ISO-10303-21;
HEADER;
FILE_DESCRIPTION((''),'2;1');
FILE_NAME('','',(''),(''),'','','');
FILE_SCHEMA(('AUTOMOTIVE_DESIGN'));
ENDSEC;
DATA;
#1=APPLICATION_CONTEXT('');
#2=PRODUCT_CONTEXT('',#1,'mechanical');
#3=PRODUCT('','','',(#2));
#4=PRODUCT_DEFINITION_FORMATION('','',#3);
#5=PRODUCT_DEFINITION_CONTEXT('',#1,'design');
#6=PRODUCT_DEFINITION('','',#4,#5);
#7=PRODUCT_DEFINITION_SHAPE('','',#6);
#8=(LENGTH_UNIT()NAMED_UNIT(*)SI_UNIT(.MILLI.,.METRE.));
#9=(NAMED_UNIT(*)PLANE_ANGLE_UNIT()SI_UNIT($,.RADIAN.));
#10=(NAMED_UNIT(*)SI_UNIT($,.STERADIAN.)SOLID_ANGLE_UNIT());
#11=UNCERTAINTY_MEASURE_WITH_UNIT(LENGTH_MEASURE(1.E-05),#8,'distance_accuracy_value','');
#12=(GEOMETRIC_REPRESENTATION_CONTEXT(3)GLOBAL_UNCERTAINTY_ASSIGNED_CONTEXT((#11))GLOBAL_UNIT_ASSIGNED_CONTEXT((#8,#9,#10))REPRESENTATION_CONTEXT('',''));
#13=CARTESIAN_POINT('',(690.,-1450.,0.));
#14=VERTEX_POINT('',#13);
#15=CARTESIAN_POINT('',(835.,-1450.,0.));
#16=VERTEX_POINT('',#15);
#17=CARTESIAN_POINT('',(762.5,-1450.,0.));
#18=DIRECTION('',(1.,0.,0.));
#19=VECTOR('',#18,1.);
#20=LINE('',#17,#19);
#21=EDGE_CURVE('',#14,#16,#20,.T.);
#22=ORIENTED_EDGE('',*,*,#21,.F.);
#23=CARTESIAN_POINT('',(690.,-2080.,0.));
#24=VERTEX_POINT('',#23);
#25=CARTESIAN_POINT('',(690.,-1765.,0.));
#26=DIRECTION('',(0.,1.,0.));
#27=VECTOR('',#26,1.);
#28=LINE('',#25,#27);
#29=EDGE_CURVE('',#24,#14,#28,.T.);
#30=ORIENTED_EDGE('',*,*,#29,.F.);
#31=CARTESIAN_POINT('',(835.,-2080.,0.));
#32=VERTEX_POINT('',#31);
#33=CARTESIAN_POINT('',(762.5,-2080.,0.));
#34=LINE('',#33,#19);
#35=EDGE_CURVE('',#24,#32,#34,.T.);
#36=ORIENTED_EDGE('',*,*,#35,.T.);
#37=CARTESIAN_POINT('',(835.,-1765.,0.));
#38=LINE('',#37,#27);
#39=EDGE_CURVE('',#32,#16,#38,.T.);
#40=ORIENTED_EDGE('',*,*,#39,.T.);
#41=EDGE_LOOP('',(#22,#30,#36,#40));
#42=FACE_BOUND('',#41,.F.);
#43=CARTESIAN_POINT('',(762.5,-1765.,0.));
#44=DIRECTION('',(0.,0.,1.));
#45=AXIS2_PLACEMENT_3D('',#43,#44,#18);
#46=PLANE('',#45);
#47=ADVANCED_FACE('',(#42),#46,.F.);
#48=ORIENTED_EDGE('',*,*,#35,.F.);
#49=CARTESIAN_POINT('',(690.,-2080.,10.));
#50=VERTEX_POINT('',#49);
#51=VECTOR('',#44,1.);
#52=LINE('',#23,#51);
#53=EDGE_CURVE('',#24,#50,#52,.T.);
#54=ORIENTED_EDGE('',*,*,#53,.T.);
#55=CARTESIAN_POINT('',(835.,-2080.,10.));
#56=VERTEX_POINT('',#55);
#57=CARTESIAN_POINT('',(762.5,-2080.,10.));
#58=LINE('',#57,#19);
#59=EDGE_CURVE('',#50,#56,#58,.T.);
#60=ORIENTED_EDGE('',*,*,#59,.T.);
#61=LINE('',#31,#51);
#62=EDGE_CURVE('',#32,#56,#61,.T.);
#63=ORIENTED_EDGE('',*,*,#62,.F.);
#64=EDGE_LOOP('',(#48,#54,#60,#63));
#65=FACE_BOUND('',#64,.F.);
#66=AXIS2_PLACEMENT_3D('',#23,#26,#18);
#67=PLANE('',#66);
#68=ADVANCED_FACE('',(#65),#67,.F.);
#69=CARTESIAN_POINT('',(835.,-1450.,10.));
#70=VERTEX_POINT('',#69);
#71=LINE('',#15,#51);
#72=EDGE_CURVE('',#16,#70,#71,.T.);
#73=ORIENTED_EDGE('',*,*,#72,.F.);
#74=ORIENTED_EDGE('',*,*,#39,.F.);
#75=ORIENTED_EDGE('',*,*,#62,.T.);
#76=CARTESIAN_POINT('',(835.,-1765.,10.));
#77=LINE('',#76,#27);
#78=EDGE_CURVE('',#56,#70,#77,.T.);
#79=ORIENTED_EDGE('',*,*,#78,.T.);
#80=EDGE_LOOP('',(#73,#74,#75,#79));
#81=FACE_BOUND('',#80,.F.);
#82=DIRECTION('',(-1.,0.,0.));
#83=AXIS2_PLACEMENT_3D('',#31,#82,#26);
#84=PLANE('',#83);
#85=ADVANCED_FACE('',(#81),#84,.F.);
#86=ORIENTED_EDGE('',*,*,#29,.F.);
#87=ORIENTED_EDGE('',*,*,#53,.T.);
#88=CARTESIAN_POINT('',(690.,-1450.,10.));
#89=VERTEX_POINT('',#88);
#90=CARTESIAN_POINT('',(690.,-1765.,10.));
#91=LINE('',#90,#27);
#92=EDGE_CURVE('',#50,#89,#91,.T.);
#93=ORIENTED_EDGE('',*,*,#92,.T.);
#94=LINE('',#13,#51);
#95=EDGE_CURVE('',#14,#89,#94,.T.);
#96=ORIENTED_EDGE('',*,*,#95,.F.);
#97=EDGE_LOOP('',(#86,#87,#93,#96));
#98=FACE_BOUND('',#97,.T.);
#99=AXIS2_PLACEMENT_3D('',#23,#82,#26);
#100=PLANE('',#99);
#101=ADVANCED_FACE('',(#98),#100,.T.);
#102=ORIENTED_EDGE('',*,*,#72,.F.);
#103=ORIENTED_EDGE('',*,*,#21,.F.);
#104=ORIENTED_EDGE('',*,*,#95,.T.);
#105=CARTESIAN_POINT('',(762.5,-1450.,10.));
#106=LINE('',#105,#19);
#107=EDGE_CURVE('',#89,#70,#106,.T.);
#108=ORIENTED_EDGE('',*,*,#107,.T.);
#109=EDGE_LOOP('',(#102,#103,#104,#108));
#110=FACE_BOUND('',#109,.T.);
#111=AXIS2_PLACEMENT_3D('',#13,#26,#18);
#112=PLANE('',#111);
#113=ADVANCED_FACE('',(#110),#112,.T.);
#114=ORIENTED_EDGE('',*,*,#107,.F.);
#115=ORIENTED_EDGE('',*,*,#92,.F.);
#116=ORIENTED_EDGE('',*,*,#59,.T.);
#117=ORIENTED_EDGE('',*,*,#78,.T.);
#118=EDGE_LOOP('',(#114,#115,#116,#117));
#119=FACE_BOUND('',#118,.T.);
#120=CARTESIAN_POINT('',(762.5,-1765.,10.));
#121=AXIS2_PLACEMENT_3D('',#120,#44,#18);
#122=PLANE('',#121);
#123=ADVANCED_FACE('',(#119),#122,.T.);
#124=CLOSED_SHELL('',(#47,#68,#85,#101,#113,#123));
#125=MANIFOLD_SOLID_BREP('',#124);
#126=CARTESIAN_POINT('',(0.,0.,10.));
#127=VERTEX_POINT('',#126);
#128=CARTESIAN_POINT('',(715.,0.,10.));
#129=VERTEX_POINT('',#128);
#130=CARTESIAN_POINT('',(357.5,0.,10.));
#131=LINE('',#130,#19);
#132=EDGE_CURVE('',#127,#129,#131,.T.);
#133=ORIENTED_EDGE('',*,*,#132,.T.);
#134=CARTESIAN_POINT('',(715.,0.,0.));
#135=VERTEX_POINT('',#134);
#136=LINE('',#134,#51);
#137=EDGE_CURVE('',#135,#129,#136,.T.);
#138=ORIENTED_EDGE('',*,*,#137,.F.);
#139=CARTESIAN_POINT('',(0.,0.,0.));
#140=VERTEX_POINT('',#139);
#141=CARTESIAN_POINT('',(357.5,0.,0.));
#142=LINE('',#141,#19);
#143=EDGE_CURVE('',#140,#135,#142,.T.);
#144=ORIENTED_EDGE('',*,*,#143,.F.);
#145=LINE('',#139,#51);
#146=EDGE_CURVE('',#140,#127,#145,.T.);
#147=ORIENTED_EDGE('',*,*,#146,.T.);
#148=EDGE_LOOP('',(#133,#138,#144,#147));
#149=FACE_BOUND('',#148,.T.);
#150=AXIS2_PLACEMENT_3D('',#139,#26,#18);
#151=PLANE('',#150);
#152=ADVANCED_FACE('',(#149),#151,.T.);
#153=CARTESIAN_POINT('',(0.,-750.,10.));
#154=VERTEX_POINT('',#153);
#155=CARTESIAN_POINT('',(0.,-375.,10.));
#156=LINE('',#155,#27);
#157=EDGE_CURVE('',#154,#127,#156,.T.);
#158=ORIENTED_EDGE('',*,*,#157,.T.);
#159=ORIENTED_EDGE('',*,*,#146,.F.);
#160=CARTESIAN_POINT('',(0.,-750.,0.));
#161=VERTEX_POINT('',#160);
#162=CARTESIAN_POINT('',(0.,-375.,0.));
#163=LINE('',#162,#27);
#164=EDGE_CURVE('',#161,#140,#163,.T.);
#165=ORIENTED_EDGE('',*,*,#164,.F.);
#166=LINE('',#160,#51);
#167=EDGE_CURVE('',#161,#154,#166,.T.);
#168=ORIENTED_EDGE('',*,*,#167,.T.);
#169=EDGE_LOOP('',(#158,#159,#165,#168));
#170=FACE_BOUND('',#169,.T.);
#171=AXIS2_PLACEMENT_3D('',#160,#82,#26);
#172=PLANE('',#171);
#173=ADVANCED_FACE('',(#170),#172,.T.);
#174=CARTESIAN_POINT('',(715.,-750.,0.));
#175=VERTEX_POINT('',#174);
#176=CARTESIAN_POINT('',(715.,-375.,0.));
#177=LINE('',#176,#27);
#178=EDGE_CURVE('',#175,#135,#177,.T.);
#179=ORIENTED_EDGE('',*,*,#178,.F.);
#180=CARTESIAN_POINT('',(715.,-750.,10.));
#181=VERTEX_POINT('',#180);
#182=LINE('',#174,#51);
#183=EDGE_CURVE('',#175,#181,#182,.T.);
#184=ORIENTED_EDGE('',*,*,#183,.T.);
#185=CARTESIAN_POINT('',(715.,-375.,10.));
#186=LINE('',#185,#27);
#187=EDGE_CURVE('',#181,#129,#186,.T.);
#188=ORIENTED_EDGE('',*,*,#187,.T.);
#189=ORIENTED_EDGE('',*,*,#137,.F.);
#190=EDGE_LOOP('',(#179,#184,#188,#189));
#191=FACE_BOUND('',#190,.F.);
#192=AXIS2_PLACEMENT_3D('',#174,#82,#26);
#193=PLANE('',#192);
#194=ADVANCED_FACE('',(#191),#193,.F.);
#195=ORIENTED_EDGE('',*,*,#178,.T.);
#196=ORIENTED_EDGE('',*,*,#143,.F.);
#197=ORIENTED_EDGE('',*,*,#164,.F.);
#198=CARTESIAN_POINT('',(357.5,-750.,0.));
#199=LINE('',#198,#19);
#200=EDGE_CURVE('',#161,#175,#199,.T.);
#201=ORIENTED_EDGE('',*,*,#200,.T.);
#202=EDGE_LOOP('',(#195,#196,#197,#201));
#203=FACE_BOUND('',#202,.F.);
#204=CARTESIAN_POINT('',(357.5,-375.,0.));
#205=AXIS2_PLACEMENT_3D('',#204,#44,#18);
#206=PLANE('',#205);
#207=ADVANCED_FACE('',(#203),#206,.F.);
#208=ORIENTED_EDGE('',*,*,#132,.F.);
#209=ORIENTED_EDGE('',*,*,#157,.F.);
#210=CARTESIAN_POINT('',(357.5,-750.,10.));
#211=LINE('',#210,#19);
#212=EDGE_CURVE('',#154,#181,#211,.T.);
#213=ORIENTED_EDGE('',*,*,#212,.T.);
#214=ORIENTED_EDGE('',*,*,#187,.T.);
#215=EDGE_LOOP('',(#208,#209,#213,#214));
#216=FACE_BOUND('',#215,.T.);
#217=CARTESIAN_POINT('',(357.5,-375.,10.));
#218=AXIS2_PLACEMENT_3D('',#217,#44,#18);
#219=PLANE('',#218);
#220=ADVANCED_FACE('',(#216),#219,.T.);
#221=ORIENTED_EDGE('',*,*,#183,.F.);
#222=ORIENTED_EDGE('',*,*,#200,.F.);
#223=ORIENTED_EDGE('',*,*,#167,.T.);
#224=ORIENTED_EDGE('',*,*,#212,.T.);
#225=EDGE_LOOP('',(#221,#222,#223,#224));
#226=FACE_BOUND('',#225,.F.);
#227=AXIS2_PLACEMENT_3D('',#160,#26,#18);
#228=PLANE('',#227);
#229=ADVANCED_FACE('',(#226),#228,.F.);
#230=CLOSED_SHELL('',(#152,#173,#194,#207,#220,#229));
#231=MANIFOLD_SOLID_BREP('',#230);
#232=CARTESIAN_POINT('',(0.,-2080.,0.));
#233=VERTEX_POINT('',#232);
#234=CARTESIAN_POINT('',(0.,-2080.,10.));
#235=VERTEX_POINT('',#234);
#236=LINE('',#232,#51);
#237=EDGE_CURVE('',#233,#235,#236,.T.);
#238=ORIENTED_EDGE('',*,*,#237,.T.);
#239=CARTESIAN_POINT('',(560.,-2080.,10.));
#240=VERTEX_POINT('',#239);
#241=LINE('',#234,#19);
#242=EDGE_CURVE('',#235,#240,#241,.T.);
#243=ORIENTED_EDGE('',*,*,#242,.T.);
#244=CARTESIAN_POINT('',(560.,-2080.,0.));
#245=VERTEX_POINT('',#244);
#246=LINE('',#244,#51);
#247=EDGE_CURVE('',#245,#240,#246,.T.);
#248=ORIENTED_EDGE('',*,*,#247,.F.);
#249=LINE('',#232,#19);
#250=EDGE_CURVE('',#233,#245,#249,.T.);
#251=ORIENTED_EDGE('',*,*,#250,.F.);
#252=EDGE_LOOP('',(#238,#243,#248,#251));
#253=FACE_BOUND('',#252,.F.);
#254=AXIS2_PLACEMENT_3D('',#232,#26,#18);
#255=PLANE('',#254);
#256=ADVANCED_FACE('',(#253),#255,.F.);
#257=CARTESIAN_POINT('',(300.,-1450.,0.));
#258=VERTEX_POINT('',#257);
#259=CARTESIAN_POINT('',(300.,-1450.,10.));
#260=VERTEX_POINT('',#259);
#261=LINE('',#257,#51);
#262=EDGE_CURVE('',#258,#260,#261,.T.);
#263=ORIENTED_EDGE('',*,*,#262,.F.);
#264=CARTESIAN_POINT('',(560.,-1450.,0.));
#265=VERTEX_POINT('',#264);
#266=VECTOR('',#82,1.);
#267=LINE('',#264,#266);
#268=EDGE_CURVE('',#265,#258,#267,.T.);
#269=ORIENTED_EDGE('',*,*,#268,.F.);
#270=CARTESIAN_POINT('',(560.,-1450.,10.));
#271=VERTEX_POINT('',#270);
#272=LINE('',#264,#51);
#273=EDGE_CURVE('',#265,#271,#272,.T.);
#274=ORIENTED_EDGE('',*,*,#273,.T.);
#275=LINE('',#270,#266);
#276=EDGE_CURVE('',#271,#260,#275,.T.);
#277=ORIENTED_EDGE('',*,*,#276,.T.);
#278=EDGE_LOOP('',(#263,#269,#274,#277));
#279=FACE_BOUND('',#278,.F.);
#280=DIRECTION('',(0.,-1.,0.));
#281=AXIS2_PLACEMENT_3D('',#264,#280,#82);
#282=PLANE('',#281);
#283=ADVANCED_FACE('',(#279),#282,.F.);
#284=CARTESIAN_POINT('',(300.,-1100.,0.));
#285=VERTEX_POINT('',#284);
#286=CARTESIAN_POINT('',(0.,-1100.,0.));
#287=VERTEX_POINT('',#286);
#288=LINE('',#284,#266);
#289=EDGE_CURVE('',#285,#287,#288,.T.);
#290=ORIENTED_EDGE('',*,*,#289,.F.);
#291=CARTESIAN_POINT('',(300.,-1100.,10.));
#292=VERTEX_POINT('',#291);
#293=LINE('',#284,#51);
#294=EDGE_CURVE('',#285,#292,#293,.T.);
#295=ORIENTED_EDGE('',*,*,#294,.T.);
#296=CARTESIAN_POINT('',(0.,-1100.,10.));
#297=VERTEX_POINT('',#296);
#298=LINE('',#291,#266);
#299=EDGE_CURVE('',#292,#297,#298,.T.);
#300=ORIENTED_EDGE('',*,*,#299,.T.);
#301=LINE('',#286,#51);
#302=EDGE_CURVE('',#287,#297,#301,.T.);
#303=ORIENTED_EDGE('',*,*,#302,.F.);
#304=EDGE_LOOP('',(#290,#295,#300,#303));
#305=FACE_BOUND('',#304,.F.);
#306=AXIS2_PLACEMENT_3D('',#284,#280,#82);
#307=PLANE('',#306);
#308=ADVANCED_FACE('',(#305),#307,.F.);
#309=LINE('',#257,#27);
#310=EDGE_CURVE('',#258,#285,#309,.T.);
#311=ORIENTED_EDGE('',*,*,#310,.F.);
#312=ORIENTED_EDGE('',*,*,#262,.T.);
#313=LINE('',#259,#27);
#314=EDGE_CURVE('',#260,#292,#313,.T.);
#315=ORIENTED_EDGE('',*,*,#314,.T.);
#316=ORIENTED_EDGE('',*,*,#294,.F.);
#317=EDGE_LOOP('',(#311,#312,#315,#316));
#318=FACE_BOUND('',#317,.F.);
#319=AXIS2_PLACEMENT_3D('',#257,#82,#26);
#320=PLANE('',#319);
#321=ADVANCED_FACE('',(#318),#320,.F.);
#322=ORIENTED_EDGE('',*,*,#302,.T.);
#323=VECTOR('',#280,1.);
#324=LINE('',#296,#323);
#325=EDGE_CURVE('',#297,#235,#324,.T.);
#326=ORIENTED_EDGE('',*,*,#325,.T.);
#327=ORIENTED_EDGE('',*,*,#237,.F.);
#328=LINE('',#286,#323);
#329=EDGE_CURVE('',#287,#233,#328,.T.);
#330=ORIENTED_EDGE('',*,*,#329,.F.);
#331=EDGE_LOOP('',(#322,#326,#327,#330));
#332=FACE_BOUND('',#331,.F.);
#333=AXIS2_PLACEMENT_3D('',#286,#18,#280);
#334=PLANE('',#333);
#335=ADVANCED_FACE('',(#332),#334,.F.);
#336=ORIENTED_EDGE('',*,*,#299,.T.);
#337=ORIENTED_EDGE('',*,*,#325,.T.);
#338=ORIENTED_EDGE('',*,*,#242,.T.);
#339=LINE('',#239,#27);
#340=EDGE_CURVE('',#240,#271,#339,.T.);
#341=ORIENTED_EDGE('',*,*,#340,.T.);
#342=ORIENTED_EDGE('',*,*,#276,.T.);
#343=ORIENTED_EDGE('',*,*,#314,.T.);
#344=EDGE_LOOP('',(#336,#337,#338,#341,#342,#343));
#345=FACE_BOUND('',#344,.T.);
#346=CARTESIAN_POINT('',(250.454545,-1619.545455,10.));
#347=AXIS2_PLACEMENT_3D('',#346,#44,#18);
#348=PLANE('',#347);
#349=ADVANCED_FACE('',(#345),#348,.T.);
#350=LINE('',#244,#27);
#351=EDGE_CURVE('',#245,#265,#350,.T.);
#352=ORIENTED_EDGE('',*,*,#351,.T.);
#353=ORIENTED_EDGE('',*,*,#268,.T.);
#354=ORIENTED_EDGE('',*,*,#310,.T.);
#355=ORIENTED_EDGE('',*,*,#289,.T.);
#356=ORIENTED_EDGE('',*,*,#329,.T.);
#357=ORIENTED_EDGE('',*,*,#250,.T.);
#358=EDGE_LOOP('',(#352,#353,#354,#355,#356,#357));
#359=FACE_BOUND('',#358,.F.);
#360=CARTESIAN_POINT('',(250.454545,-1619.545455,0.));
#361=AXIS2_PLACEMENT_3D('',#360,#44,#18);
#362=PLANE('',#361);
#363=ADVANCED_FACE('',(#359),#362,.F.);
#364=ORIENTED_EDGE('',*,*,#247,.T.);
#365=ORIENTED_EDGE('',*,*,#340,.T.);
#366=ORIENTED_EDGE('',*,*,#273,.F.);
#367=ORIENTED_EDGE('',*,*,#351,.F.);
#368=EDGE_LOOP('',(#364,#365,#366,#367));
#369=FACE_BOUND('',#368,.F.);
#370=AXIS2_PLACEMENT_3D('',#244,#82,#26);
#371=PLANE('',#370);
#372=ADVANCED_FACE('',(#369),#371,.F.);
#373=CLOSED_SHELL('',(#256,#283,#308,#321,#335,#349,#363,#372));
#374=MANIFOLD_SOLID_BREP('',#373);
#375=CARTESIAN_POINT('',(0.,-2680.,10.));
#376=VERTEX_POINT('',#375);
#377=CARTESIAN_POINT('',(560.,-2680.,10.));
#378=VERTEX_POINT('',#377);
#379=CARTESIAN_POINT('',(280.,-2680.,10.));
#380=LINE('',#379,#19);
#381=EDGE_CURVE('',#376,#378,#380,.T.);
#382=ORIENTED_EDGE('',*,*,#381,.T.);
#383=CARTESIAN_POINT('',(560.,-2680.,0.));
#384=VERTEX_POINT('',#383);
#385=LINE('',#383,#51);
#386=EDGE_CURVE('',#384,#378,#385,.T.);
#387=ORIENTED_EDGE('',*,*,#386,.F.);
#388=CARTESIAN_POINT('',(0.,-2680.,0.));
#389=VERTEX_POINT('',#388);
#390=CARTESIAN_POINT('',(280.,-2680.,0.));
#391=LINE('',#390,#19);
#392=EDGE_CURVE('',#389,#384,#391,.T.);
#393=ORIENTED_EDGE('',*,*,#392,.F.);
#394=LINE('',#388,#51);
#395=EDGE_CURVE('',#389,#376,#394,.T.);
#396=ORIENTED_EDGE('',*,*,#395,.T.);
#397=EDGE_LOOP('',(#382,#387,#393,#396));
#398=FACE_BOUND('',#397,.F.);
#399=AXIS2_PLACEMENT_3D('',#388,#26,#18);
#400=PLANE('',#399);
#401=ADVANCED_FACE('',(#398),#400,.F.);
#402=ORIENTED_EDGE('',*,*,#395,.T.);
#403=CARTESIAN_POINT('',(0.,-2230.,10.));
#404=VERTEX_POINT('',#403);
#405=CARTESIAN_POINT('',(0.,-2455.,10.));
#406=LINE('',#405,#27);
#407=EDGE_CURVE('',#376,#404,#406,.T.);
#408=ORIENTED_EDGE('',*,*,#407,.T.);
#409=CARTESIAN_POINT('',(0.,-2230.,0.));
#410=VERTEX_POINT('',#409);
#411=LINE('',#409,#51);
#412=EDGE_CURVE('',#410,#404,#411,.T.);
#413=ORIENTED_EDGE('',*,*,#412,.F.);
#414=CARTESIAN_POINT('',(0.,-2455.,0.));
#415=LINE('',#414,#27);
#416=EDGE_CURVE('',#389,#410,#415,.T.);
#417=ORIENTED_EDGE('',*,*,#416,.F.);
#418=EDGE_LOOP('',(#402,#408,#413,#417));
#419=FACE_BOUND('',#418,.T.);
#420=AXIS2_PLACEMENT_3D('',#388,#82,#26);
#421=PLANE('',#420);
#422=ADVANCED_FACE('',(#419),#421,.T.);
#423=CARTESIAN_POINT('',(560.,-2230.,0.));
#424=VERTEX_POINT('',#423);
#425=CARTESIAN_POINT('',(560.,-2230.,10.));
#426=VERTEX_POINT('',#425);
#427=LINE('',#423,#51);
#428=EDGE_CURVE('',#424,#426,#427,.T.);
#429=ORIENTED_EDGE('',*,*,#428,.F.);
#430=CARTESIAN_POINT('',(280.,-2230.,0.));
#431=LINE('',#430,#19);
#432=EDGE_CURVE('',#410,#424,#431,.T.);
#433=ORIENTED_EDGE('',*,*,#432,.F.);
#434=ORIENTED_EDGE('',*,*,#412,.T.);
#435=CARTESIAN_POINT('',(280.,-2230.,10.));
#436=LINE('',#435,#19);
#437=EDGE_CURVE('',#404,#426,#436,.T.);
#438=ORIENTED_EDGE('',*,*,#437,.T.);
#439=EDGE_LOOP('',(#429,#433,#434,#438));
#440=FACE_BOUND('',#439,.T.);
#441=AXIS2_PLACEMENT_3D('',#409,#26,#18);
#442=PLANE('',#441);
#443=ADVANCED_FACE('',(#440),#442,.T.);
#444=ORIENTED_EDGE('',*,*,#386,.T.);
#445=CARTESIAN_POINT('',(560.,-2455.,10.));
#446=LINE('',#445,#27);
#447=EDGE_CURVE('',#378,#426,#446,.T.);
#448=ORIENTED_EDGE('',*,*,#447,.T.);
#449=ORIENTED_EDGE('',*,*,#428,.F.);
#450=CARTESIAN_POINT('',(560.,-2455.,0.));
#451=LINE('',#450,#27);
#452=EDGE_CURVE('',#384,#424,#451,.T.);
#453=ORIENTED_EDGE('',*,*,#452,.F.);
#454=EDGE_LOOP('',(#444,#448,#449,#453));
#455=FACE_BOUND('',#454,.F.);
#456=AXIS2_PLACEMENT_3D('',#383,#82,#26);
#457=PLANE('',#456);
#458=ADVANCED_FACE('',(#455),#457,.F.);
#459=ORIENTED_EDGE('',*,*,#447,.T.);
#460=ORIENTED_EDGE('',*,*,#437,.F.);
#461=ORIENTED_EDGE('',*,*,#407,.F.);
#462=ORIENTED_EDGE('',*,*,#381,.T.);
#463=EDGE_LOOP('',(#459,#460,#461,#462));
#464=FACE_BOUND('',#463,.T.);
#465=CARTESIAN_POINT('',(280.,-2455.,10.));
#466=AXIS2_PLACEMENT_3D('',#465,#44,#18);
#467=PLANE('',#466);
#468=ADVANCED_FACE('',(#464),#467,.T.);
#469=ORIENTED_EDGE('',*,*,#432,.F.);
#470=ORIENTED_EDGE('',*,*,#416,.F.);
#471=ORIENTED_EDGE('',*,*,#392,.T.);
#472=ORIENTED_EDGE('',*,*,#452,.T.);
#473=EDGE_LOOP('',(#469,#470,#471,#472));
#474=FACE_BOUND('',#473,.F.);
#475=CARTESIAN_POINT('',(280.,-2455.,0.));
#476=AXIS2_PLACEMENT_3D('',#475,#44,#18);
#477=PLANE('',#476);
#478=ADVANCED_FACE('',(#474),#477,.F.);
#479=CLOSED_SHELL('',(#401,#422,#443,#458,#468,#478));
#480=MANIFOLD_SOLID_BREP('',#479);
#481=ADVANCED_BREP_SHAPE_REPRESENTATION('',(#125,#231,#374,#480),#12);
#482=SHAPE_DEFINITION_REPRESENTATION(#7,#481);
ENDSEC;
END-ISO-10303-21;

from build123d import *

# Parameters (mm, degrees)
F0_W     = 715
F0_H     = 750
F1_DEPTH = 10
F3_DEPTH = 10
F4_W     = 145
F4_H     = 630
F5_DEPTH = 10
F6_W     = 560
F6_H     = 450
F7_DEPTH = 10


with BuildPart() as f1:
    # F0 (on Top) → F1 (new body)
    with BuildSketch(Plane.XY):
        with Locations((357.5, -375)):
            Rectangle(F0_W, F0_H)
    extrude(amount=F1_DEPTH)


with BuildPart() as f3:
    # F2 (on Top) → F3 (new body)
    with BuildSketch(Plane.XY):
        Polygon((300, -1100), (0, -1100), (0, -2080), (560, -2080), (560, -1450), (300, -1450), align=None)
    extrude(amount=F3_DEPTH)


with BuildPart() as f5:
    # F4 (on Top) → F5 (new body)
    with BuildSketch(Plane.XY):
        with Locations((762.5, -1765)):
            Rectangle(F4_W, F4_H)
    extrude(amount=F5_DEPTH)


with BuildPart() as f7:
    # F6 (on Top) → F7 (new body)
    with BuildSketch(Plane.XY):
        with Locations((280, -2455)):
            Rectangle(F6_W, F6_H)
    extrude(amount=F7_DEPTH)


solid = Compound([f1.part, f3.part, f5.part, f7.part])
